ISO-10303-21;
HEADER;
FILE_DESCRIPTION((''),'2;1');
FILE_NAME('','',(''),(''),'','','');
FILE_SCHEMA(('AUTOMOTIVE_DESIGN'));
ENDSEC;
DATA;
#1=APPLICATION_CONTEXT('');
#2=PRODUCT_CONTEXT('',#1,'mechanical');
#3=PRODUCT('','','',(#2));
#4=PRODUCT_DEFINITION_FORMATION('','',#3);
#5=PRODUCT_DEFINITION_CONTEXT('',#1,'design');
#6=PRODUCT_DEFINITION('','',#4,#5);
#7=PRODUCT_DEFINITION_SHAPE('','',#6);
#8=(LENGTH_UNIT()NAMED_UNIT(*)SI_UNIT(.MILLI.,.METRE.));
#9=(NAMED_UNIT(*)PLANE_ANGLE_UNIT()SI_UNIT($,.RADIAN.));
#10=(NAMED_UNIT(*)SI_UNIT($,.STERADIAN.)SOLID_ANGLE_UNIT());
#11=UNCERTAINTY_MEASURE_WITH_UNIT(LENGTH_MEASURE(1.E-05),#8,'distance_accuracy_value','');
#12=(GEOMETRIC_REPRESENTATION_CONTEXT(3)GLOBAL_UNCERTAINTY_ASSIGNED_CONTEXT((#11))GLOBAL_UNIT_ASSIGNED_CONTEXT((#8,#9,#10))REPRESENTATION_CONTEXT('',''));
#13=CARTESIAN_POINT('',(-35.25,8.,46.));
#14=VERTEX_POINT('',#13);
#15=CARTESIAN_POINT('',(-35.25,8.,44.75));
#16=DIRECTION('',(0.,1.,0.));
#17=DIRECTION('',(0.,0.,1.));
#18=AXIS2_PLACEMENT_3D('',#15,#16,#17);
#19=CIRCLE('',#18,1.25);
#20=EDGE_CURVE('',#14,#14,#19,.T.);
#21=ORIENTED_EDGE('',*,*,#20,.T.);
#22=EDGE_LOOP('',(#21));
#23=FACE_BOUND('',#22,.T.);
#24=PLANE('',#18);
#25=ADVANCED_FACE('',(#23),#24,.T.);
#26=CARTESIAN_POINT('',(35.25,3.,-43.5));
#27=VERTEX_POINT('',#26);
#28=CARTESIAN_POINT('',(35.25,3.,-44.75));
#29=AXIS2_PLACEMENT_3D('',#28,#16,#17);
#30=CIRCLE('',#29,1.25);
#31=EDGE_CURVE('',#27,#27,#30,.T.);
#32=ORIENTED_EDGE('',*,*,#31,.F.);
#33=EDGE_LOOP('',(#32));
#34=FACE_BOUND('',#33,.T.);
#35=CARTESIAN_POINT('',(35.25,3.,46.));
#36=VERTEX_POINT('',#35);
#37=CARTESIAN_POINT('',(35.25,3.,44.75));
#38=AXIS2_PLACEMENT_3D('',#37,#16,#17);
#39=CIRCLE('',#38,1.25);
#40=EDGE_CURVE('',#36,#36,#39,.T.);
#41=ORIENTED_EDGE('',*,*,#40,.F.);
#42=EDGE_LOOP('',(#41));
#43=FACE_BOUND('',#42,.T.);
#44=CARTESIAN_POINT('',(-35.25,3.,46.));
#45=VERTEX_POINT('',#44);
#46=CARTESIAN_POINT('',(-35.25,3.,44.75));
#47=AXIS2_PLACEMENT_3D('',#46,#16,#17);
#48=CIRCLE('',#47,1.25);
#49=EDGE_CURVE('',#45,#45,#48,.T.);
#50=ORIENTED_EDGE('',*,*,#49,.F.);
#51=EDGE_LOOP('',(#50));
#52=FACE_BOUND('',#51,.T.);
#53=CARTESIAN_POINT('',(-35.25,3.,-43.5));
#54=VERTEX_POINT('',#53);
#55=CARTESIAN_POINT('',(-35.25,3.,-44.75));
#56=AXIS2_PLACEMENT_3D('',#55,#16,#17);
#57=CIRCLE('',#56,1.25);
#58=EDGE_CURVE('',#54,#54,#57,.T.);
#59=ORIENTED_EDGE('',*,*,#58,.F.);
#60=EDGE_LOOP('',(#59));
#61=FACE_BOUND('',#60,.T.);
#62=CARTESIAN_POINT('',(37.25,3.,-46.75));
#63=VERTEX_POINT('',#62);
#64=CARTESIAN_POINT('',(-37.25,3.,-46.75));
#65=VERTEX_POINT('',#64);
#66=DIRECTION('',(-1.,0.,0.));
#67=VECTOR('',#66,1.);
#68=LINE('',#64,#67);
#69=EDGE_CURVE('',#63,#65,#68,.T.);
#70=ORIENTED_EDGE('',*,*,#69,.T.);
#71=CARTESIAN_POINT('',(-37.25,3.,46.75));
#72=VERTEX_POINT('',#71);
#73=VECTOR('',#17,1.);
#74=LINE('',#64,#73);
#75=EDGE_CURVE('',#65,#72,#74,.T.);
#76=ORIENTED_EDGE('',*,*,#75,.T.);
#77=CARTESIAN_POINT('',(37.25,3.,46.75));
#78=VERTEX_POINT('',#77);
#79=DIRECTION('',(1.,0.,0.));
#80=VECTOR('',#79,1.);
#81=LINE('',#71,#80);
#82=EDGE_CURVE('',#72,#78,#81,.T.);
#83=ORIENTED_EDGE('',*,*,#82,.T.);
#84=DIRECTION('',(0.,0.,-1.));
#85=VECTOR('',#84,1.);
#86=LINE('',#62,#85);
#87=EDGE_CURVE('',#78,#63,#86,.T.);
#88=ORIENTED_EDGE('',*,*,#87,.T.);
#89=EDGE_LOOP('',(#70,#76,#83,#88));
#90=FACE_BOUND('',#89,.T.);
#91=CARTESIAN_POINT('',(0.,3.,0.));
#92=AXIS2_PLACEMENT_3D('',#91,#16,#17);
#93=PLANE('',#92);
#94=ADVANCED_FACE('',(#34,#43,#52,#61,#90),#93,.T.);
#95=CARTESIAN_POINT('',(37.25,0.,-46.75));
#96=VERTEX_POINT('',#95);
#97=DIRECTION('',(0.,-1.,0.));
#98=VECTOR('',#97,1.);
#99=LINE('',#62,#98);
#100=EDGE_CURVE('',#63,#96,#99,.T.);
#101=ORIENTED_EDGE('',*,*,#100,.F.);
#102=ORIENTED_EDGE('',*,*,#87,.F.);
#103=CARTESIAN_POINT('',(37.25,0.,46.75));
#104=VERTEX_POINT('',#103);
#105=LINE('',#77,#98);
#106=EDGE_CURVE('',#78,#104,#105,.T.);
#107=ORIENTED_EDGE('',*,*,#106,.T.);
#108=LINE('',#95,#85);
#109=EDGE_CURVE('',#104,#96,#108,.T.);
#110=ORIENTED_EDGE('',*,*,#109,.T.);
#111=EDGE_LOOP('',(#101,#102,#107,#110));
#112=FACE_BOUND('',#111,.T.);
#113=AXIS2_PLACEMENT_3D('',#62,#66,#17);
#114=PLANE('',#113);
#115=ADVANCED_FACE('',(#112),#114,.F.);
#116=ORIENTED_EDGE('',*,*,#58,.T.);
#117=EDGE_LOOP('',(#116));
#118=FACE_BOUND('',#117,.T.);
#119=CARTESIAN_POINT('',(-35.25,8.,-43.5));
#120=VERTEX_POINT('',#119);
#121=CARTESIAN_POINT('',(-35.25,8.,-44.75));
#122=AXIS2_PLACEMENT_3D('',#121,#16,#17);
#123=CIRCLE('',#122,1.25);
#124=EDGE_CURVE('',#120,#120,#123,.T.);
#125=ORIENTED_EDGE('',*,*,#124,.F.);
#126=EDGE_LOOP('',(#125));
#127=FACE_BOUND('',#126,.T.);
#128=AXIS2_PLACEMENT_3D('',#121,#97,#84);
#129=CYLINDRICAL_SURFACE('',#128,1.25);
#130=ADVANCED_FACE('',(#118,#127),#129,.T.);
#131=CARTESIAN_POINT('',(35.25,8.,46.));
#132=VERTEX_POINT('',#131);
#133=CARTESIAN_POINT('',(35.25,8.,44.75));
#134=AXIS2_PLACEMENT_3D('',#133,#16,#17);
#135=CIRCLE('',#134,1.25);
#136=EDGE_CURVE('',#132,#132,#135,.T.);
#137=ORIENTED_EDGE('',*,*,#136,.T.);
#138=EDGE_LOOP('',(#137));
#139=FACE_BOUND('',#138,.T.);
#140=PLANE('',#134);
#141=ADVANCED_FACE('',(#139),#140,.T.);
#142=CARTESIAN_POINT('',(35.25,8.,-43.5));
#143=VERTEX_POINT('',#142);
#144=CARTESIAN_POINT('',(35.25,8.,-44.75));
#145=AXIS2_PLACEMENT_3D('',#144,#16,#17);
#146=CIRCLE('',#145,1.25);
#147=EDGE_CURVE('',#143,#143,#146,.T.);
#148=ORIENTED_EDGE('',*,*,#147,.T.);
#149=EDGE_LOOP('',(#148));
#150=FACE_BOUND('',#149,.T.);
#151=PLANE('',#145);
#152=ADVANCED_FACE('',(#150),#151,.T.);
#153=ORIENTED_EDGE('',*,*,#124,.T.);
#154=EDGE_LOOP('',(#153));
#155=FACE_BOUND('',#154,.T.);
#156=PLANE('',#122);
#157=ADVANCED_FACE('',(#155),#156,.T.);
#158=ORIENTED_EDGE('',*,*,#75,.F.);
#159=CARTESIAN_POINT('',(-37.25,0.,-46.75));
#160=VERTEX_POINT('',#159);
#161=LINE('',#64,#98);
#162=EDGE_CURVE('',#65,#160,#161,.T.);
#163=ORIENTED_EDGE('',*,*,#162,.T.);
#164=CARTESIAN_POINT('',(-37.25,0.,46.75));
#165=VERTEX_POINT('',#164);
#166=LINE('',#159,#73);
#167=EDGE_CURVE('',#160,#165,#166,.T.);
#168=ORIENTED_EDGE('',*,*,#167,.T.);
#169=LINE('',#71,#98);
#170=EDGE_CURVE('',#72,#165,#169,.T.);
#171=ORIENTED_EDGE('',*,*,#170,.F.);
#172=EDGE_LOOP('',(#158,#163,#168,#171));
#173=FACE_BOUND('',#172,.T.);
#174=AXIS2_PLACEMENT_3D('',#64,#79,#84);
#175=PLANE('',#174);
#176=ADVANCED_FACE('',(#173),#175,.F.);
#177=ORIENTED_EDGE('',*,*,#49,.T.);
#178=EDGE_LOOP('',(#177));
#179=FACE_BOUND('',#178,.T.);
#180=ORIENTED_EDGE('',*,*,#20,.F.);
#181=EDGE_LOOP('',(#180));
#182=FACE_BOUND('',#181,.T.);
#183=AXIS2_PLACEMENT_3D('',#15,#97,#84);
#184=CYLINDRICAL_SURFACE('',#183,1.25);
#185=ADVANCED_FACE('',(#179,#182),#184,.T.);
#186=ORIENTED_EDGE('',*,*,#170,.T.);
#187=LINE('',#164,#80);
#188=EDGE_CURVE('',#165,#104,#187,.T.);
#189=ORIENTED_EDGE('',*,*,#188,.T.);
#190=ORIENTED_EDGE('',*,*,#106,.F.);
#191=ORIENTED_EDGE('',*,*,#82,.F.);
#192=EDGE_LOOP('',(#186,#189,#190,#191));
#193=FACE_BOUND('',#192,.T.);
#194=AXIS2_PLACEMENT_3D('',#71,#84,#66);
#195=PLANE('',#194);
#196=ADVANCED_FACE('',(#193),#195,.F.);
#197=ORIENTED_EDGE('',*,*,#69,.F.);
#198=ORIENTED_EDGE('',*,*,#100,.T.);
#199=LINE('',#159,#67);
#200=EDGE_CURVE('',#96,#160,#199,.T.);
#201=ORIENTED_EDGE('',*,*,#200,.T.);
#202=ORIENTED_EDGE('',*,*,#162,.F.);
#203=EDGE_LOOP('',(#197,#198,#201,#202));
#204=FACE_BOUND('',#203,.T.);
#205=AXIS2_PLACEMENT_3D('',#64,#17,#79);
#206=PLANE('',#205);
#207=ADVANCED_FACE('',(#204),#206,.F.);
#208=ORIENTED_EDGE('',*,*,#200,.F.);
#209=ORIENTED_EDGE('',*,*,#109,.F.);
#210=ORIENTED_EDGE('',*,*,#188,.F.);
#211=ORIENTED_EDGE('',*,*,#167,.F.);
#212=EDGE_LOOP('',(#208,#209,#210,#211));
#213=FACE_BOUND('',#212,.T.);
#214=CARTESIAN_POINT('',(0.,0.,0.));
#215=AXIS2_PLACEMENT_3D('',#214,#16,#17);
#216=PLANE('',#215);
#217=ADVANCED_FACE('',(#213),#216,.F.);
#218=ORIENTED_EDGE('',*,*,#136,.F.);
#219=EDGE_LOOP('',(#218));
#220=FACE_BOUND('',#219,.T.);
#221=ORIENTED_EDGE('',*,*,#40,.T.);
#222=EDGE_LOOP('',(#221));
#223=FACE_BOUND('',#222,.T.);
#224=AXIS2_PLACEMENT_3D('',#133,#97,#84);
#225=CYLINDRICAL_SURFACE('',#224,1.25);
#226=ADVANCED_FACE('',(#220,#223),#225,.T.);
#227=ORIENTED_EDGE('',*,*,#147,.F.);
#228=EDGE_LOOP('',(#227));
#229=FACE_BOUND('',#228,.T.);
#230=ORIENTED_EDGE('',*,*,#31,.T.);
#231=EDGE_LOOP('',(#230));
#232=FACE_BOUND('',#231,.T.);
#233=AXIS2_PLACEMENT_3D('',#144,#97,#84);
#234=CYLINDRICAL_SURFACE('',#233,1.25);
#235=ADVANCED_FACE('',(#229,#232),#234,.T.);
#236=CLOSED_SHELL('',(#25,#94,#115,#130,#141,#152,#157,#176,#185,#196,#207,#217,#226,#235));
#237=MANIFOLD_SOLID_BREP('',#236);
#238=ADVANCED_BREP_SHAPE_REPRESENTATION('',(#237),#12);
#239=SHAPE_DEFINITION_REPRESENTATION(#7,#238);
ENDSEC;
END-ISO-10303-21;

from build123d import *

# Parameters (mm, degrees)
SKETCH1_W           = 74.5
SKETCH1_H           = 93.5
BOSS_EXTRUDE1_DEPTH = 3
SKETCH2_R           = 1.25
BOSS_EXTRUDE2_DEPTH = 5


with BuildPart() as part:
    # Sketch1 → Boss-Extrude1 (new body)
    with BuildSketch(Plane(origin=(0, 0, 0), x_dir=(1, 0, 0), z_dir=(0, 1, 0))):
        Rectangle(SKETCH1_W, SKETCH1_H)
    extrude(amount=BOSS_EXTRUDE1_DEPTH)

    # Sketch2 → Boss-Extrude2 (add)
    with BuildSketch(Plane(origin=(0, 3, 0), x_dir=(1, 0, 0), z_dir=(0, 1, 0))):
        with Locations(Location((-35.25, 44.75, 0), (0, 0, 270))):
            Circle(SKETCH2_R)
        with Locations(Location((35.25, 44.75, 0), (0, 0, 270))):
            Circle(SKETCH2_R)
        with Locations(Location((-35.25, -44.75, 0), (0, 0, 270))):
            Circle(SKETCH2_R)
        with Locations(Location((35.25, -44.75, 0), (0, 0, 270))):
            Circle(SKETCH2_R)
    extrude(amount=BOSS_EXTRUDE2_DEPTH)


solid = part.part
